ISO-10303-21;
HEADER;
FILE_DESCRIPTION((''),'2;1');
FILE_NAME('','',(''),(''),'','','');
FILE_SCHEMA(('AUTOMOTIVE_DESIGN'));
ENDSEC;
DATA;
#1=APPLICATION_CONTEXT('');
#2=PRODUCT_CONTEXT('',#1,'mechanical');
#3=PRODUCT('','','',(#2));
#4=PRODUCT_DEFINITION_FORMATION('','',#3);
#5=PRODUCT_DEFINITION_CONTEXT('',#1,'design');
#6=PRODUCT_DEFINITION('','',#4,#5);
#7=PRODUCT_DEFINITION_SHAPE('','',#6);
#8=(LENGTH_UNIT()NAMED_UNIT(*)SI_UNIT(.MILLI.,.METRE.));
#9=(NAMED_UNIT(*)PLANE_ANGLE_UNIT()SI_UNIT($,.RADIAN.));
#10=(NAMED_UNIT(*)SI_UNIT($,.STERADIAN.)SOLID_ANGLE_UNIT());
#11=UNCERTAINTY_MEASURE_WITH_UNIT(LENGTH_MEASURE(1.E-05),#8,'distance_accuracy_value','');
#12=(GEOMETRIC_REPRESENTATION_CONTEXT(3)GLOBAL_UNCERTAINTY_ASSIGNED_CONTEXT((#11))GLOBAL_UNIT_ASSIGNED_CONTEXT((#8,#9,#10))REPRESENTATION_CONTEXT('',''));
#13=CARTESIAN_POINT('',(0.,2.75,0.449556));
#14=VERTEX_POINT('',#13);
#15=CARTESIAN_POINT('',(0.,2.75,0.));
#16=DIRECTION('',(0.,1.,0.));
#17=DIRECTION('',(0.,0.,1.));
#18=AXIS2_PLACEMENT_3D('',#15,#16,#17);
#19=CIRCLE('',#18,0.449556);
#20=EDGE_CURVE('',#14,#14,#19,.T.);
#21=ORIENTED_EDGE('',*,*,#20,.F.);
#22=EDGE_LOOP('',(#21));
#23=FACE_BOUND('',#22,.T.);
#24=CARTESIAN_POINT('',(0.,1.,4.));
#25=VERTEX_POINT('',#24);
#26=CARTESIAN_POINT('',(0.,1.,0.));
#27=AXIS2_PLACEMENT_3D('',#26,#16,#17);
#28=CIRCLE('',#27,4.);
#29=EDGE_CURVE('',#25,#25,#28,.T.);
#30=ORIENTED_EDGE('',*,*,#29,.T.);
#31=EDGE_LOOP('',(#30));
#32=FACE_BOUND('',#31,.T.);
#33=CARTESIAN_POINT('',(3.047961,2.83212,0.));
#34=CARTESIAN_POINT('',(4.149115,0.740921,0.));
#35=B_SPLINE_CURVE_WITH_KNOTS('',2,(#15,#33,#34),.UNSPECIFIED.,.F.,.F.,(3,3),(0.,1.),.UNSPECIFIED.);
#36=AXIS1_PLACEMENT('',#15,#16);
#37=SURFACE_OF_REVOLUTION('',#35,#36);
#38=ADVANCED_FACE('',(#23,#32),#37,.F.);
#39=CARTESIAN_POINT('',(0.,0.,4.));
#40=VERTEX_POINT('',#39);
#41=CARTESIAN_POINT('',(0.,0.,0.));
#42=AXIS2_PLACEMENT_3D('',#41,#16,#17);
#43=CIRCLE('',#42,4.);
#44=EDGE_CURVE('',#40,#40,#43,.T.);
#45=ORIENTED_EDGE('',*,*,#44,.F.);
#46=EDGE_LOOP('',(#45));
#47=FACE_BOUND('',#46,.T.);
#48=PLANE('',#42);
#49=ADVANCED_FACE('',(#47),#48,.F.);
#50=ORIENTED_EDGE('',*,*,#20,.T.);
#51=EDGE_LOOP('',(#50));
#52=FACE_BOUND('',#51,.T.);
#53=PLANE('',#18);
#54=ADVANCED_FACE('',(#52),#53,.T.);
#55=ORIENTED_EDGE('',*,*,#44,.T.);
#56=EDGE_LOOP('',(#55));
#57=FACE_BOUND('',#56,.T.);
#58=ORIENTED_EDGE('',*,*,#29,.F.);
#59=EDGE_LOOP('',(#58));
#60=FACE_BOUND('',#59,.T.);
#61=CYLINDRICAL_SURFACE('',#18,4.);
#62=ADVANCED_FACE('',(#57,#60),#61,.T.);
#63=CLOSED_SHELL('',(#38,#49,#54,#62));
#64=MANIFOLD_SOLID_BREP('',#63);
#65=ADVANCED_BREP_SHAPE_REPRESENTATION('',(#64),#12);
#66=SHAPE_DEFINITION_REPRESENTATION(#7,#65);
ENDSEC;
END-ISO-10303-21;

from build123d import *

# Parameters (mm, degrees)
ESQUISSE1_W = 4
ESQUISSE1_H = 1


with BuildPart() as part:
    # Esquisse1 → Révolution1 (revolve)
    with BuildSketch(Plane.XY, mode=Mode.PRIVATE) as r_volution1_sk:
        with BuildLine():
            Line((0, 2.75), (0, 1))
            Line((0, 1), (4, 1))
            add(Edge.make_bspline(
                [(0.449555654, 2.75), (2.945294106, 2.67934827), (4, 1)],
                knots=[0.075570808, 0.075570808, 0.075570808, 0.93592127, 0.93592127, 0.93592127], degree=2))
            Line((0.449555654, 2.75), (0, 2.75))
        make_face()
        with Locations((2, 0.5)):
            Rectangle(ESQUISSE1_W, ESQUISSE1_H)
    revolve(r_volution1_sk.sketch.rotate(Axis((0, 2.75, 0), (0, -1, 0)), 90), axis=Axis((0, 2.75, 0), (0, -1, 0)))


solid = part.part
